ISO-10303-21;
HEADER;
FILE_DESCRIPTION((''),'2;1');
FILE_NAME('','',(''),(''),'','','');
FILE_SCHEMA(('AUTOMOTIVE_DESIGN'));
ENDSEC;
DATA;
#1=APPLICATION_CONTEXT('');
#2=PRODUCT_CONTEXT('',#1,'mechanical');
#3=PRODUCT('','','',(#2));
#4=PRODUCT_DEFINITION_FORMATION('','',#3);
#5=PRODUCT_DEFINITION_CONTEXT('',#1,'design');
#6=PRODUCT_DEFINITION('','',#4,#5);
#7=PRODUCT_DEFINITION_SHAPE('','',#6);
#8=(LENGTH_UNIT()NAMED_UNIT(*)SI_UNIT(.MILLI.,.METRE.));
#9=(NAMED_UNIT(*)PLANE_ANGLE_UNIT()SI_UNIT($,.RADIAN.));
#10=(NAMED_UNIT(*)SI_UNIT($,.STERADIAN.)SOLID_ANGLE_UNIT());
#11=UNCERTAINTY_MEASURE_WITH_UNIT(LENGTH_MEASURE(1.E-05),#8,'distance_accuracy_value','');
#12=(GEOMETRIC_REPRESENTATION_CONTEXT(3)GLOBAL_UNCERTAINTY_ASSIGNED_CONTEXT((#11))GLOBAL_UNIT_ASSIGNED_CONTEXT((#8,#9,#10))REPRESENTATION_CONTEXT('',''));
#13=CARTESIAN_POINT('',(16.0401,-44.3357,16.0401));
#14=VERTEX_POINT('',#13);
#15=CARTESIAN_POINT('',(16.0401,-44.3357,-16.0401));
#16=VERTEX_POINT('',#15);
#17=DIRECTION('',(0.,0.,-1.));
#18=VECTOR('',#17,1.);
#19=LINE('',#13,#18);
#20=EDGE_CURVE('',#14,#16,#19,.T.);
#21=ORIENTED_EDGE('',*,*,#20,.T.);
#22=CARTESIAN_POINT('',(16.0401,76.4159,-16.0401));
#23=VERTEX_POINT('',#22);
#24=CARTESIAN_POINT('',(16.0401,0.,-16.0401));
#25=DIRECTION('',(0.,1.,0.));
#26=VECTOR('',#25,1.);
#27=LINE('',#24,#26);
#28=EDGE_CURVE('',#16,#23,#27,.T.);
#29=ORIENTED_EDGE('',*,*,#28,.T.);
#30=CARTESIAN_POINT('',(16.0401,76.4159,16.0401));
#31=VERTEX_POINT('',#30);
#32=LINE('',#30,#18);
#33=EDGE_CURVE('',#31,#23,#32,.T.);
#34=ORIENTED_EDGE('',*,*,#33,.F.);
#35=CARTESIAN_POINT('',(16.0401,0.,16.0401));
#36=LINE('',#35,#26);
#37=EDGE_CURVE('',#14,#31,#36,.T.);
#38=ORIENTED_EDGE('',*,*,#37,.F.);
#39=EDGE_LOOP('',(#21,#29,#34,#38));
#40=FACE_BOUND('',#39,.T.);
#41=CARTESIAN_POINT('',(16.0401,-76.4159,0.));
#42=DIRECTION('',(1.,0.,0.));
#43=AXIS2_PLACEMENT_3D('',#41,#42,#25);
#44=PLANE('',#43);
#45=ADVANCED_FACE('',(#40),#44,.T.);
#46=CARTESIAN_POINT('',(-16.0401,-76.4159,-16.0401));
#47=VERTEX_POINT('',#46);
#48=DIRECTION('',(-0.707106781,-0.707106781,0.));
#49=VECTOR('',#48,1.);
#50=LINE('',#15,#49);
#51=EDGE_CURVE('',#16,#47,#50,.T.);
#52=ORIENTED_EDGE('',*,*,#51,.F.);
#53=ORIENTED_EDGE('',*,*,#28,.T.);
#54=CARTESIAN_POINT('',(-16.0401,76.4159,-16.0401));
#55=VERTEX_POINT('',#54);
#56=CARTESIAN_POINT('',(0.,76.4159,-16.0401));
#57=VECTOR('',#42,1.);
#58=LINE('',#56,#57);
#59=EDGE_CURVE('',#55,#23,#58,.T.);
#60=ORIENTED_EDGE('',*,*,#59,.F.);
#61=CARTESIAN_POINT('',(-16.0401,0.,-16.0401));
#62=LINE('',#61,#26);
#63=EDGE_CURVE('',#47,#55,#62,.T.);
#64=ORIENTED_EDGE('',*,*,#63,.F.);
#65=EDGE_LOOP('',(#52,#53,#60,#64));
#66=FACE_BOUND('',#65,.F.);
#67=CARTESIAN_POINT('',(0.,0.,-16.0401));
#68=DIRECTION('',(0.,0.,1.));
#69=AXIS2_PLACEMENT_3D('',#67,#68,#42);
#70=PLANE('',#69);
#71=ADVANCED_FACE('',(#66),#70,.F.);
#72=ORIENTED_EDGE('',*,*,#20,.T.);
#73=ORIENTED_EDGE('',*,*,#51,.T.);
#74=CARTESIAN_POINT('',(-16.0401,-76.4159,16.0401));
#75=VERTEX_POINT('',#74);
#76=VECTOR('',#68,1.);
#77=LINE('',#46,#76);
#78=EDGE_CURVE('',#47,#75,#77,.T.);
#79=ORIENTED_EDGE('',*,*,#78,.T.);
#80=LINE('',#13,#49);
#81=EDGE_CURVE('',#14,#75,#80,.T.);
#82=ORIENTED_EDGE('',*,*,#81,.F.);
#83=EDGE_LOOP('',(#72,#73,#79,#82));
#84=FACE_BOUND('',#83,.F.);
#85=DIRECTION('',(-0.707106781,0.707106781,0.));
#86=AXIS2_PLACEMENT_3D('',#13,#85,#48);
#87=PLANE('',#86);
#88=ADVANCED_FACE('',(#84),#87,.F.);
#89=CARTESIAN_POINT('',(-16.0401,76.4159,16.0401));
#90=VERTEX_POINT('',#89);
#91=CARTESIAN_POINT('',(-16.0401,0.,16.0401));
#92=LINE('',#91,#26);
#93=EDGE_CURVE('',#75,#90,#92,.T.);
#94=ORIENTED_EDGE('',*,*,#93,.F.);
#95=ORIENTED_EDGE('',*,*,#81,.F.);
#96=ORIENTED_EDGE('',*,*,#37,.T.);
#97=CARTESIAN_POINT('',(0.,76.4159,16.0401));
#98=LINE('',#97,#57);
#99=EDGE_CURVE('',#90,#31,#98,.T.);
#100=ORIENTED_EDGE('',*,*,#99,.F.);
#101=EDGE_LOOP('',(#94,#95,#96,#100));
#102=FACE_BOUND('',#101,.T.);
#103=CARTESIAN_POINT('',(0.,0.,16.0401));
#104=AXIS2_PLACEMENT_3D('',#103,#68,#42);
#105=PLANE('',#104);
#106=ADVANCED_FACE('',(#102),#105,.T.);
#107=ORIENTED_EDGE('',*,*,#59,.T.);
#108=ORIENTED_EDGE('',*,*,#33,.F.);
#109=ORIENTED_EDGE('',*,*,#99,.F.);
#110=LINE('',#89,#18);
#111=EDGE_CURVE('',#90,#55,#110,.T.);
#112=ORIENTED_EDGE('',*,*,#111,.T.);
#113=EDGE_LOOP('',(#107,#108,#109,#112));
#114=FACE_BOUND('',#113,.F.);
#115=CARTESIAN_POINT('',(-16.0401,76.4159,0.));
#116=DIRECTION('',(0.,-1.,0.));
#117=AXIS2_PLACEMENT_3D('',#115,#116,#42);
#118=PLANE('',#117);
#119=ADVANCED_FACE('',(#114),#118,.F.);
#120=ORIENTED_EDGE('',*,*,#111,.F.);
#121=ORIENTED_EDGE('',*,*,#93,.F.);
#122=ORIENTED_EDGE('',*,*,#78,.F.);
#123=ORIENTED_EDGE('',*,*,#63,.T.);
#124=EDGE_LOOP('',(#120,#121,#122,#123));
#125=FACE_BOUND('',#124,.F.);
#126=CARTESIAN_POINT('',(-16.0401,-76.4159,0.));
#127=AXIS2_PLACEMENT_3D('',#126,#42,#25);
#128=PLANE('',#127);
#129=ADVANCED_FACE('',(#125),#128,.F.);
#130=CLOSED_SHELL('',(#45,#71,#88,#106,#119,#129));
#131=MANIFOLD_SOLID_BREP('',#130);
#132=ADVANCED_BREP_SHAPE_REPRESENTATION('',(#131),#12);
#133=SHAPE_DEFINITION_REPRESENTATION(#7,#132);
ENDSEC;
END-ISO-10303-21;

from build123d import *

# Parameters (mm, degrees)
F0_W     = 32.0802
F0_H     = 152.8318
F1_DEPTH = 16.0401
F3_DEPTH = 32.0802


with BuildPart() as f1:
    # F0 (on Top) → F1 (new body, symmetric)
    with BuildSketch(Plane.XY):
        Rectangle(F0_W, F0_H)
    extrude(amount=F1_DEPTH, both=True)

    # F2 (on face) → F3 (cut, through all)
    with BuildSketch(Plane.XY.offset(16.0401)):
        Polygon((-16.0401, -76.4159), (16.0401, -76.4159), (16.0401, -44.3357), align=None)
    extrude(amount=-F3_DEPTH, mode=Mode.SUBTRACT)


solid = f1.part
